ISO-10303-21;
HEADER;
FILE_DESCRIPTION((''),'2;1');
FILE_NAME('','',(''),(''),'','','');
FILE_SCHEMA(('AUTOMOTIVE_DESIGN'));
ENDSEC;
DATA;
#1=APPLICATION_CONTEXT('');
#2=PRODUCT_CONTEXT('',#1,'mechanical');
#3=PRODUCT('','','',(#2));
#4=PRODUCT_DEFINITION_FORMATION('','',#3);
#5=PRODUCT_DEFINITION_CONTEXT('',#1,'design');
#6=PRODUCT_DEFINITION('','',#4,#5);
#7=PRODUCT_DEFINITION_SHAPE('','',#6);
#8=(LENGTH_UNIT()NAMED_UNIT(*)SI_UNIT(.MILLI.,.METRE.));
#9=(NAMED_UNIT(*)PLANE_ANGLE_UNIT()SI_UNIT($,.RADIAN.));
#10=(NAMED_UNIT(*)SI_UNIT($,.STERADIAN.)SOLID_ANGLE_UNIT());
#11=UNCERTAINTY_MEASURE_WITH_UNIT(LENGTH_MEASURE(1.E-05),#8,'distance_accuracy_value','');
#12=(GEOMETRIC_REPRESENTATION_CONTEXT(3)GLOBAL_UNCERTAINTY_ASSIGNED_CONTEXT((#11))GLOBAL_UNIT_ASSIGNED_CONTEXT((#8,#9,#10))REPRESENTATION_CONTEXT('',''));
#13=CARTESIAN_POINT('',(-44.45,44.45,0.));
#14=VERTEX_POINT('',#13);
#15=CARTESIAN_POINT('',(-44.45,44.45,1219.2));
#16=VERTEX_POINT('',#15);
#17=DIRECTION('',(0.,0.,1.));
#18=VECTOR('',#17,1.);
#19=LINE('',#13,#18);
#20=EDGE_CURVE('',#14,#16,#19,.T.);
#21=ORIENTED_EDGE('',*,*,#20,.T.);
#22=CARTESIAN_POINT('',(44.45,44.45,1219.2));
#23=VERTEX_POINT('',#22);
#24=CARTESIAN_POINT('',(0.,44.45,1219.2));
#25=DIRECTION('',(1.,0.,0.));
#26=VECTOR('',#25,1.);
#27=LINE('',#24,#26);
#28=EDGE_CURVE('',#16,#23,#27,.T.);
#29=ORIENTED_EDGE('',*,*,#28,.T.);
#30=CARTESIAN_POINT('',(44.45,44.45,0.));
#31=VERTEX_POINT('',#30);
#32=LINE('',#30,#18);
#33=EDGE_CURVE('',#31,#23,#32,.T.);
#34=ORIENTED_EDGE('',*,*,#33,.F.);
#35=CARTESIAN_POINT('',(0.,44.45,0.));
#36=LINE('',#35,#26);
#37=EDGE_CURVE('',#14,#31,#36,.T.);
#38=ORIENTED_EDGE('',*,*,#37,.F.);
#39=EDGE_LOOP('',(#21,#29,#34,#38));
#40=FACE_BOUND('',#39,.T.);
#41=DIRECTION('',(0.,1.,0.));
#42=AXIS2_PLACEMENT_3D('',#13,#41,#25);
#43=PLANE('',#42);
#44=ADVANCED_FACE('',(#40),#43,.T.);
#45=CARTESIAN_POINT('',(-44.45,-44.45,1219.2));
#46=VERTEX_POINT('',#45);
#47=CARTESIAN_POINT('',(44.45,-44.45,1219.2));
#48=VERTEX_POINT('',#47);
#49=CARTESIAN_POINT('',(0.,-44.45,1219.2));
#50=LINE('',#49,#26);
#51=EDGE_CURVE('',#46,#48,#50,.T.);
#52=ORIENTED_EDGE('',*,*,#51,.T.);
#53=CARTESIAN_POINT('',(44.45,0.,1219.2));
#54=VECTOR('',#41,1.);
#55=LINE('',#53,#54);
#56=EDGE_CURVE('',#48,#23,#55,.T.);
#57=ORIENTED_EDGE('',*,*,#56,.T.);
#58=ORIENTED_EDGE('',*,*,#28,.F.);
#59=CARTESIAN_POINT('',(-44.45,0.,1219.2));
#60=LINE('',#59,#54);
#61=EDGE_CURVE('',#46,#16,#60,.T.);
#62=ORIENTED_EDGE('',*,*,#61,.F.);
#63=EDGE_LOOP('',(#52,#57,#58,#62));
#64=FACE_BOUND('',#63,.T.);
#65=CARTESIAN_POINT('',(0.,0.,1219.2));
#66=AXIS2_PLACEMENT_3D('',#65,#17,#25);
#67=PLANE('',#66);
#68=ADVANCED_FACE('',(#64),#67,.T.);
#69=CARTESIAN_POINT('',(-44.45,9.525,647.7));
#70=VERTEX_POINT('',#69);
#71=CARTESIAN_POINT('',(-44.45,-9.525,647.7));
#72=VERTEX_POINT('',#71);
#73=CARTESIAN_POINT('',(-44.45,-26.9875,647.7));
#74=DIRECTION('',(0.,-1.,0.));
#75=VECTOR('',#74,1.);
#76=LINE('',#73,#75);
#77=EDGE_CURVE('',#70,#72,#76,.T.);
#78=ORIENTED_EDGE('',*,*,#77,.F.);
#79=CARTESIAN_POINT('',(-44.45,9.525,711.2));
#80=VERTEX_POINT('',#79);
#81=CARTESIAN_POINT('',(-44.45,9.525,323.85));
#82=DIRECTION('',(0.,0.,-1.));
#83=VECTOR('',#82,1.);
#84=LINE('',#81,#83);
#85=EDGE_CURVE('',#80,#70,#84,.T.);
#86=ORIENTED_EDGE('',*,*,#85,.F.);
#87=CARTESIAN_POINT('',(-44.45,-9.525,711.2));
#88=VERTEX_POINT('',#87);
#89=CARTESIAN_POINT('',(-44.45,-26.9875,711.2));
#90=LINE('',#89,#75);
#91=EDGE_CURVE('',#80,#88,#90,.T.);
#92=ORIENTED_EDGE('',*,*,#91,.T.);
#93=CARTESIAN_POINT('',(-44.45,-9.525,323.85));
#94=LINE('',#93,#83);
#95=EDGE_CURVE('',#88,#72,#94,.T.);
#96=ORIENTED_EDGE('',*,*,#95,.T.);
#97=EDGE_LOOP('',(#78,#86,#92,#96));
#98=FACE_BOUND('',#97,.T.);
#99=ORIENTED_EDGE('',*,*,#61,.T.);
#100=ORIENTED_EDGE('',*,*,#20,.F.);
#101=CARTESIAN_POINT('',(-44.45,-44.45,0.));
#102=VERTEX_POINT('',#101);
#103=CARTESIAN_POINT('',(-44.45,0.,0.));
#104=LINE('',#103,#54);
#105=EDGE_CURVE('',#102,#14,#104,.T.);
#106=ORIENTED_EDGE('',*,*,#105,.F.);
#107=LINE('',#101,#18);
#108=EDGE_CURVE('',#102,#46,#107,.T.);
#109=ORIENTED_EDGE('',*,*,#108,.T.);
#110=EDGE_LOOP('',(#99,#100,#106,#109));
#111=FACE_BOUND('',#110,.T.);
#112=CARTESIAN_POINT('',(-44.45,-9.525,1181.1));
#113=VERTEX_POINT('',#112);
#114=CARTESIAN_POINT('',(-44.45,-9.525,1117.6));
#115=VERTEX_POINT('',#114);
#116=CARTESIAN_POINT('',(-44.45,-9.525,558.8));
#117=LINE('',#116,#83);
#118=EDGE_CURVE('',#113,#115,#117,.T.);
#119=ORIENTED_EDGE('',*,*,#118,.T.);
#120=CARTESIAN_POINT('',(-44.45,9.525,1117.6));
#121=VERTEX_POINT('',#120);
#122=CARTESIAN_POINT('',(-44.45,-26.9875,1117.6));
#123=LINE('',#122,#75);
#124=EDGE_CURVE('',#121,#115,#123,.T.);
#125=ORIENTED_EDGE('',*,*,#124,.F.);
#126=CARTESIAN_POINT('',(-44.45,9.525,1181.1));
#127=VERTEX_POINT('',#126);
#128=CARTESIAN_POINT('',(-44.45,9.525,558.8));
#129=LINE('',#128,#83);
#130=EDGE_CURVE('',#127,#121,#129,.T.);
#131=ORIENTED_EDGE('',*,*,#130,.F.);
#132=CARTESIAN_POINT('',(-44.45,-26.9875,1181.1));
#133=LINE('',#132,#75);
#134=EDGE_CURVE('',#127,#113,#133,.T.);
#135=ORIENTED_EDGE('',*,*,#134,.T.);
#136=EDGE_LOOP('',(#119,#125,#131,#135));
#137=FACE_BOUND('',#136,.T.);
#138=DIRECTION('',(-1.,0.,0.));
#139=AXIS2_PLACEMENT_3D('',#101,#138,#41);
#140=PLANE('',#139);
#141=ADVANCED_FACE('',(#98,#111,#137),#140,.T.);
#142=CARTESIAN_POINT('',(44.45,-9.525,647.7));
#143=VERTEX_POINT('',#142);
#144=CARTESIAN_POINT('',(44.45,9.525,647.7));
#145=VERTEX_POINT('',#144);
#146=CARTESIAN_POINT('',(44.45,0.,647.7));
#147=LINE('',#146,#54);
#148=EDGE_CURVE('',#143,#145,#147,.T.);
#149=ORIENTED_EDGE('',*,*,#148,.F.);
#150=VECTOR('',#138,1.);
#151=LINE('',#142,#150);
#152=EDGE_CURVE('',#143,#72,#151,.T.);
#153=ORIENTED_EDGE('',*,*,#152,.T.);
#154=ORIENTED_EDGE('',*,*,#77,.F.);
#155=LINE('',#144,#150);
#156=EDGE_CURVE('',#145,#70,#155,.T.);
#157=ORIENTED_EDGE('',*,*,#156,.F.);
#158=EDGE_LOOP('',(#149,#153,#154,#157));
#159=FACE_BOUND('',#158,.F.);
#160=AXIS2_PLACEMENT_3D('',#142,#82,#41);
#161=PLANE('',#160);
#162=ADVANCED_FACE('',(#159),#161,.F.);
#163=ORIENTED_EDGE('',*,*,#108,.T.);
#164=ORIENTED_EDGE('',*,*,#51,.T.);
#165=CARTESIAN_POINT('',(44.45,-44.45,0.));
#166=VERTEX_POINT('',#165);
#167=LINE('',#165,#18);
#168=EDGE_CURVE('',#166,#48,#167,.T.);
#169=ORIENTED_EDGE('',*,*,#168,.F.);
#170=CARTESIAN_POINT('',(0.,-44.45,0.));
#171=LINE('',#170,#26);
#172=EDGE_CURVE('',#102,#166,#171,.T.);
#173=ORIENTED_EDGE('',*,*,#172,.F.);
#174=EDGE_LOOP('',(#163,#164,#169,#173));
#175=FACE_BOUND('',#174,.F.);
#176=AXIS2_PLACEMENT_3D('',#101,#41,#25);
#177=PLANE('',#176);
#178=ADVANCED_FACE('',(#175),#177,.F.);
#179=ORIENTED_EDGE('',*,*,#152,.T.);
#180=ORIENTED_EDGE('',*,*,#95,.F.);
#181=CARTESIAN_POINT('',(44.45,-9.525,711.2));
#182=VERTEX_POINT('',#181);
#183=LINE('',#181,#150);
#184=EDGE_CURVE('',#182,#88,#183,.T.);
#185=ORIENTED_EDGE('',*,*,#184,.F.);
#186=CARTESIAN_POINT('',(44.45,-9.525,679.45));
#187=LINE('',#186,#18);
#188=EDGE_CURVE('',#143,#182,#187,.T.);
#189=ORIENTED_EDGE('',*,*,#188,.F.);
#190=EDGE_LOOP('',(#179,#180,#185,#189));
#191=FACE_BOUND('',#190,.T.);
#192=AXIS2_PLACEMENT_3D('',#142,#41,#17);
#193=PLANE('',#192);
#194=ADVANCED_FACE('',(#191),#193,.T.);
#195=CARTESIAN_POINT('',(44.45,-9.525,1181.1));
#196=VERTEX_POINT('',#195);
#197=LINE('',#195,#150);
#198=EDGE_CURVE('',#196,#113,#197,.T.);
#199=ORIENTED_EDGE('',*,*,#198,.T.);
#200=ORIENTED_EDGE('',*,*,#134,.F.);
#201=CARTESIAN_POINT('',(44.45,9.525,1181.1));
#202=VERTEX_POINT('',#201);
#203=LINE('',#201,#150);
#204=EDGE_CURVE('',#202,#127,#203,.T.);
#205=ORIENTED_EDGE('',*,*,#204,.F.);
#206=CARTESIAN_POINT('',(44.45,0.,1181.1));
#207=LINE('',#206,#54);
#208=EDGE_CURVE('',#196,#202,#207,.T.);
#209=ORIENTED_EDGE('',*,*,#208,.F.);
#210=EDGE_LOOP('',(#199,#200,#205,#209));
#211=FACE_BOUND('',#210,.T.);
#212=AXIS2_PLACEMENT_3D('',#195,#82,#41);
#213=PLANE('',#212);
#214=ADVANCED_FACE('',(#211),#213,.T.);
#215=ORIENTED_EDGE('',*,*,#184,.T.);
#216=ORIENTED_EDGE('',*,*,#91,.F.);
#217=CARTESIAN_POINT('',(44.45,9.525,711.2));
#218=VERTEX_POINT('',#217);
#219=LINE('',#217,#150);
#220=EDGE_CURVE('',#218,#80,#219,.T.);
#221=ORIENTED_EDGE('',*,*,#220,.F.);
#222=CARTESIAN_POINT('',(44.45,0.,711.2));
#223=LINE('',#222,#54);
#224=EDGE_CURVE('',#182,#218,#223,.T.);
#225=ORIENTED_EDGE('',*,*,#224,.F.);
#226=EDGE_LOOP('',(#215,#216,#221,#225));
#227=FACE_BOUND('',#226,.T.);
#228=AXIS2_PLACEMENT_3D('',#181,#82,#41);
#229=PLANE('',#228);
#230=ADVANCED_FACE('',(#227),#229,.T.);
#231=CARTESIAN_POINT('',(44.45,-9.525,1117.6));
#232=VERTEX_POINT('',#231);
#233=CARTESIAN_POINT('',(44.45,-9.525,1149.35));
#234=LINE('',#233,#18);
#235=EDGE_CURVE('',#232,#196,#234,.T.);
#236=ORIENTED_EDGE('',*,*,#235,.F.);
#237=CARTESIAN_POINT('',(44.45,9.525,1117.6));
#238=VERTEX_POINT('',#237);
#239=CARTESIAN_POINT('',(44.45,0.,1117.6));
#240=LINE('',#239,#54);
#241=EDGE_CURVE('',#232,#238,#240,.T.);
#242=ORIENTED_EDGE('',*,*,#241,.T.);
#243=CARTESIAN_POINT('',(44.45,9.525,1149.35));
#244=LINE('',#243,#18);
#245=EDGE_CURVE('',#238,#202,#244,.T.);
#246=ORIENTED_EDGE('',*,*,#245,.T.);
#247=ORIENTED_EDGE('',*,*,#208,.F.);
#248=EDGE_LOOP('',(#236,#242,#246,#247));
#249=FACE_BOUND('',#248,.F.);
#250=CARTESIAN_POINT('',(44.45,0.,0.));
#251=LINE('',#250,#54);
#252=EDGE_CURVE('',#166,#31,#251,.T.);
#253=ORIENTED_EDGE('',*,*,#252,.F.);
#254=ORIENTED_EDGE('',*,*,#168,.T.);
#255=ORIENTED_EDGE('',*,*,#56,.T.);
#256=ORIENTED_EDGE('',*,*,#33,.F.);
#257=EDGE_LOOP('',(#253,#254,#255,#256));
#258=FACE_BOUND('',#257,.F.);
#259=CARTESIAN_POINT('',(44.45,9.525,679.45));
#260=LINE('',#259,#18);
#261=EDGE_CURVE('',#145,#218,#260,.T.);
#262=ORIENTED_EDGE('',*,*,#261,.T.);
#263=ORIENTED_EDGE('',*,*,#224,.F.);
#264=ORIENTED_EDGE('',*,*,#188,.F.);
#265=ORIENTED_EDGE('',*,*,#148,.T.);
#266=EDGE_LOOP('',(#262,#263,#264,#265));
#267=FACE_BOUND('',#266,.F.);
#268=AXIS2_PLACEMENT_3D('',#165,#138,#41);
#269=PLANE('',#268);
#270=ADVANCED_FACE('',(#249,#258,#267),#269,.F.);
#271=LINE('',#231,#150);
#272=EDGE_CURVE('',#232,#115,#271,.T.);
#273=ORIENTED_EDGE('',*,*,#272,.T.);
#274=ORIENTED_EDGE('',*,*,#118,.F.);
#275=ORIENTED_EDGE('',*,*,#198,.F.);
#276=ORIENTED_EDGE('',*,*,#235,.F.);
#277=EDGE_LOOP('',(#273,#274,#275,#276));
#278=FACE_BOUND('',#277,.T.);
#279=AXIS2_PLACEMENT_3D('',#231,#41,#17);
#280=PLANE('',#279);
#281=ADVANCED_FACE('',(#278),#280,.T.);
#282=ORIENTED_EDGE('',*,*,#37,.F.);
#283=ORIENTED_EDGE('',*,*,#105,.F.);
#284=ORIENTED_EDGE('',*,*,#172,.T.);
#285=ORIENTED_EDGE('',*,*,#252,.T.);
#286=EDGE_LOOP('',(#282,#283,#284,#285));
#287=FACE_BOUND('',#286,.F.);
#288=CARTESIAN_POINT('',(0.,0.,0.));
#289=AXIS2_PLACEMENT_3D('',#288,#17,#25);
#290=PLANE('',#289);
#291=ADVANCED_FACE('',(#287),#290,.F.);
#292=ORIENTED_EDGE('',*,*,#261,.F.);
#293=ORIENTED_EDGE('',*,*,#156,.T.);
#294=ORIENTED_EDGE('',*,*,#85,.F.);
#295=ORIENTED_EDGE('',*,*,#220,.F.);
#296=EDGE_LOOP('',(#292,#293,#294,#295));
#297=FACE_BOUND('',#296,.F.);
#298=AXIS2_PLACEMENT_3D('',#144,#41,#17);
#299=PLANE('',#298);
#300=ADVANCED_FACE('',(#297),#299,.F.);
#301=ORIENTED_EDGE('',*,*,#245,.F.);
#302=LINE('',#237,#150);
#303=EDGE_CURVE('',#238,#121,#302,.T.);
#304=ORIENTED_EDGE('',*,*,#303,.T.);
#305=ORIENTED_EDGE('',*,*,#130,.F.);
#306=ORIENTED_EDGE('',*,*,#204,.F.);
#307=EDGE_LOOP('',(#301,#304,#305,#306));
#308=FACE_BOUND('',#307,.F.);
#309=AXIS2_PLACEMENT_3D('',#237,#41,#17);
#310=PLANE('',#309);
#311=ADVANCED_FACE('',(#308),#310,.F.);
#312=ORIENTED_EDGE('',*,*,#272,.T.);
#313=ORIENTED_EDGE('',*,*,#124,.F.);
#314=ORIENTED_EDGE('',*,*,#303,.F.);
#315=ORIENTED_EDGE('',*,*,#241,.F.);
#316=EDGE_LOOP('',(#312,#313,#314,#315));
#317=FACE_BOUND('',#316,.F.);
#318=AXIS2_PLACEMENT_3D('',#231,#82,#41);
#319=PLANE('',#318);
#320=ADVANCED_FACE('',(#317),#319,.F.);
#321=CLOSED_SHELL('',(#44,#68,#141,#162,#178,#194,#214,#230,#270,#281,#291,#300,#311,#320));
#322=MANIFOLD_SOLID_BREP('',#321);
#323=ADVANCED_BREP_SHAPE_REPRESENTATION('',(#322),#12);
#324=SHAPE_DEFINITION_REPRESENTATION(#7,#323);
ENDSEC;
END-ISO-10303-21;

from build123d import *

# Parameters (mm, degrees)
F0_W     = 88.9
F0_H     = 88.9
F1_DEPTH = 1219.2
F2_W     = 19.05
F2_H     = 63.5
F3_DEPTH = 88.901


with BuildPart() as f1:
    # F0 (on Top) → F1 (new body)
    with BuildSketch(Plane.XY):
        Rectangle(F0_W, F0_H)
    extrude(amount=F1_DEPTH)

    # F2 (on face) → F3 (cut, through all)
    with BuildSketch(Plane.YZ.offset(44.45)):
        with Locations((0, 679.45)):
            Rectangle(F2_W, F2_H)
        with Locations((0, 1149.35)):
            Rectangle(F2_W, F2_H)
    extrude(amount=-F3_DEPTH, mode=Mode.SUBTRACT)


solid = f1.part
